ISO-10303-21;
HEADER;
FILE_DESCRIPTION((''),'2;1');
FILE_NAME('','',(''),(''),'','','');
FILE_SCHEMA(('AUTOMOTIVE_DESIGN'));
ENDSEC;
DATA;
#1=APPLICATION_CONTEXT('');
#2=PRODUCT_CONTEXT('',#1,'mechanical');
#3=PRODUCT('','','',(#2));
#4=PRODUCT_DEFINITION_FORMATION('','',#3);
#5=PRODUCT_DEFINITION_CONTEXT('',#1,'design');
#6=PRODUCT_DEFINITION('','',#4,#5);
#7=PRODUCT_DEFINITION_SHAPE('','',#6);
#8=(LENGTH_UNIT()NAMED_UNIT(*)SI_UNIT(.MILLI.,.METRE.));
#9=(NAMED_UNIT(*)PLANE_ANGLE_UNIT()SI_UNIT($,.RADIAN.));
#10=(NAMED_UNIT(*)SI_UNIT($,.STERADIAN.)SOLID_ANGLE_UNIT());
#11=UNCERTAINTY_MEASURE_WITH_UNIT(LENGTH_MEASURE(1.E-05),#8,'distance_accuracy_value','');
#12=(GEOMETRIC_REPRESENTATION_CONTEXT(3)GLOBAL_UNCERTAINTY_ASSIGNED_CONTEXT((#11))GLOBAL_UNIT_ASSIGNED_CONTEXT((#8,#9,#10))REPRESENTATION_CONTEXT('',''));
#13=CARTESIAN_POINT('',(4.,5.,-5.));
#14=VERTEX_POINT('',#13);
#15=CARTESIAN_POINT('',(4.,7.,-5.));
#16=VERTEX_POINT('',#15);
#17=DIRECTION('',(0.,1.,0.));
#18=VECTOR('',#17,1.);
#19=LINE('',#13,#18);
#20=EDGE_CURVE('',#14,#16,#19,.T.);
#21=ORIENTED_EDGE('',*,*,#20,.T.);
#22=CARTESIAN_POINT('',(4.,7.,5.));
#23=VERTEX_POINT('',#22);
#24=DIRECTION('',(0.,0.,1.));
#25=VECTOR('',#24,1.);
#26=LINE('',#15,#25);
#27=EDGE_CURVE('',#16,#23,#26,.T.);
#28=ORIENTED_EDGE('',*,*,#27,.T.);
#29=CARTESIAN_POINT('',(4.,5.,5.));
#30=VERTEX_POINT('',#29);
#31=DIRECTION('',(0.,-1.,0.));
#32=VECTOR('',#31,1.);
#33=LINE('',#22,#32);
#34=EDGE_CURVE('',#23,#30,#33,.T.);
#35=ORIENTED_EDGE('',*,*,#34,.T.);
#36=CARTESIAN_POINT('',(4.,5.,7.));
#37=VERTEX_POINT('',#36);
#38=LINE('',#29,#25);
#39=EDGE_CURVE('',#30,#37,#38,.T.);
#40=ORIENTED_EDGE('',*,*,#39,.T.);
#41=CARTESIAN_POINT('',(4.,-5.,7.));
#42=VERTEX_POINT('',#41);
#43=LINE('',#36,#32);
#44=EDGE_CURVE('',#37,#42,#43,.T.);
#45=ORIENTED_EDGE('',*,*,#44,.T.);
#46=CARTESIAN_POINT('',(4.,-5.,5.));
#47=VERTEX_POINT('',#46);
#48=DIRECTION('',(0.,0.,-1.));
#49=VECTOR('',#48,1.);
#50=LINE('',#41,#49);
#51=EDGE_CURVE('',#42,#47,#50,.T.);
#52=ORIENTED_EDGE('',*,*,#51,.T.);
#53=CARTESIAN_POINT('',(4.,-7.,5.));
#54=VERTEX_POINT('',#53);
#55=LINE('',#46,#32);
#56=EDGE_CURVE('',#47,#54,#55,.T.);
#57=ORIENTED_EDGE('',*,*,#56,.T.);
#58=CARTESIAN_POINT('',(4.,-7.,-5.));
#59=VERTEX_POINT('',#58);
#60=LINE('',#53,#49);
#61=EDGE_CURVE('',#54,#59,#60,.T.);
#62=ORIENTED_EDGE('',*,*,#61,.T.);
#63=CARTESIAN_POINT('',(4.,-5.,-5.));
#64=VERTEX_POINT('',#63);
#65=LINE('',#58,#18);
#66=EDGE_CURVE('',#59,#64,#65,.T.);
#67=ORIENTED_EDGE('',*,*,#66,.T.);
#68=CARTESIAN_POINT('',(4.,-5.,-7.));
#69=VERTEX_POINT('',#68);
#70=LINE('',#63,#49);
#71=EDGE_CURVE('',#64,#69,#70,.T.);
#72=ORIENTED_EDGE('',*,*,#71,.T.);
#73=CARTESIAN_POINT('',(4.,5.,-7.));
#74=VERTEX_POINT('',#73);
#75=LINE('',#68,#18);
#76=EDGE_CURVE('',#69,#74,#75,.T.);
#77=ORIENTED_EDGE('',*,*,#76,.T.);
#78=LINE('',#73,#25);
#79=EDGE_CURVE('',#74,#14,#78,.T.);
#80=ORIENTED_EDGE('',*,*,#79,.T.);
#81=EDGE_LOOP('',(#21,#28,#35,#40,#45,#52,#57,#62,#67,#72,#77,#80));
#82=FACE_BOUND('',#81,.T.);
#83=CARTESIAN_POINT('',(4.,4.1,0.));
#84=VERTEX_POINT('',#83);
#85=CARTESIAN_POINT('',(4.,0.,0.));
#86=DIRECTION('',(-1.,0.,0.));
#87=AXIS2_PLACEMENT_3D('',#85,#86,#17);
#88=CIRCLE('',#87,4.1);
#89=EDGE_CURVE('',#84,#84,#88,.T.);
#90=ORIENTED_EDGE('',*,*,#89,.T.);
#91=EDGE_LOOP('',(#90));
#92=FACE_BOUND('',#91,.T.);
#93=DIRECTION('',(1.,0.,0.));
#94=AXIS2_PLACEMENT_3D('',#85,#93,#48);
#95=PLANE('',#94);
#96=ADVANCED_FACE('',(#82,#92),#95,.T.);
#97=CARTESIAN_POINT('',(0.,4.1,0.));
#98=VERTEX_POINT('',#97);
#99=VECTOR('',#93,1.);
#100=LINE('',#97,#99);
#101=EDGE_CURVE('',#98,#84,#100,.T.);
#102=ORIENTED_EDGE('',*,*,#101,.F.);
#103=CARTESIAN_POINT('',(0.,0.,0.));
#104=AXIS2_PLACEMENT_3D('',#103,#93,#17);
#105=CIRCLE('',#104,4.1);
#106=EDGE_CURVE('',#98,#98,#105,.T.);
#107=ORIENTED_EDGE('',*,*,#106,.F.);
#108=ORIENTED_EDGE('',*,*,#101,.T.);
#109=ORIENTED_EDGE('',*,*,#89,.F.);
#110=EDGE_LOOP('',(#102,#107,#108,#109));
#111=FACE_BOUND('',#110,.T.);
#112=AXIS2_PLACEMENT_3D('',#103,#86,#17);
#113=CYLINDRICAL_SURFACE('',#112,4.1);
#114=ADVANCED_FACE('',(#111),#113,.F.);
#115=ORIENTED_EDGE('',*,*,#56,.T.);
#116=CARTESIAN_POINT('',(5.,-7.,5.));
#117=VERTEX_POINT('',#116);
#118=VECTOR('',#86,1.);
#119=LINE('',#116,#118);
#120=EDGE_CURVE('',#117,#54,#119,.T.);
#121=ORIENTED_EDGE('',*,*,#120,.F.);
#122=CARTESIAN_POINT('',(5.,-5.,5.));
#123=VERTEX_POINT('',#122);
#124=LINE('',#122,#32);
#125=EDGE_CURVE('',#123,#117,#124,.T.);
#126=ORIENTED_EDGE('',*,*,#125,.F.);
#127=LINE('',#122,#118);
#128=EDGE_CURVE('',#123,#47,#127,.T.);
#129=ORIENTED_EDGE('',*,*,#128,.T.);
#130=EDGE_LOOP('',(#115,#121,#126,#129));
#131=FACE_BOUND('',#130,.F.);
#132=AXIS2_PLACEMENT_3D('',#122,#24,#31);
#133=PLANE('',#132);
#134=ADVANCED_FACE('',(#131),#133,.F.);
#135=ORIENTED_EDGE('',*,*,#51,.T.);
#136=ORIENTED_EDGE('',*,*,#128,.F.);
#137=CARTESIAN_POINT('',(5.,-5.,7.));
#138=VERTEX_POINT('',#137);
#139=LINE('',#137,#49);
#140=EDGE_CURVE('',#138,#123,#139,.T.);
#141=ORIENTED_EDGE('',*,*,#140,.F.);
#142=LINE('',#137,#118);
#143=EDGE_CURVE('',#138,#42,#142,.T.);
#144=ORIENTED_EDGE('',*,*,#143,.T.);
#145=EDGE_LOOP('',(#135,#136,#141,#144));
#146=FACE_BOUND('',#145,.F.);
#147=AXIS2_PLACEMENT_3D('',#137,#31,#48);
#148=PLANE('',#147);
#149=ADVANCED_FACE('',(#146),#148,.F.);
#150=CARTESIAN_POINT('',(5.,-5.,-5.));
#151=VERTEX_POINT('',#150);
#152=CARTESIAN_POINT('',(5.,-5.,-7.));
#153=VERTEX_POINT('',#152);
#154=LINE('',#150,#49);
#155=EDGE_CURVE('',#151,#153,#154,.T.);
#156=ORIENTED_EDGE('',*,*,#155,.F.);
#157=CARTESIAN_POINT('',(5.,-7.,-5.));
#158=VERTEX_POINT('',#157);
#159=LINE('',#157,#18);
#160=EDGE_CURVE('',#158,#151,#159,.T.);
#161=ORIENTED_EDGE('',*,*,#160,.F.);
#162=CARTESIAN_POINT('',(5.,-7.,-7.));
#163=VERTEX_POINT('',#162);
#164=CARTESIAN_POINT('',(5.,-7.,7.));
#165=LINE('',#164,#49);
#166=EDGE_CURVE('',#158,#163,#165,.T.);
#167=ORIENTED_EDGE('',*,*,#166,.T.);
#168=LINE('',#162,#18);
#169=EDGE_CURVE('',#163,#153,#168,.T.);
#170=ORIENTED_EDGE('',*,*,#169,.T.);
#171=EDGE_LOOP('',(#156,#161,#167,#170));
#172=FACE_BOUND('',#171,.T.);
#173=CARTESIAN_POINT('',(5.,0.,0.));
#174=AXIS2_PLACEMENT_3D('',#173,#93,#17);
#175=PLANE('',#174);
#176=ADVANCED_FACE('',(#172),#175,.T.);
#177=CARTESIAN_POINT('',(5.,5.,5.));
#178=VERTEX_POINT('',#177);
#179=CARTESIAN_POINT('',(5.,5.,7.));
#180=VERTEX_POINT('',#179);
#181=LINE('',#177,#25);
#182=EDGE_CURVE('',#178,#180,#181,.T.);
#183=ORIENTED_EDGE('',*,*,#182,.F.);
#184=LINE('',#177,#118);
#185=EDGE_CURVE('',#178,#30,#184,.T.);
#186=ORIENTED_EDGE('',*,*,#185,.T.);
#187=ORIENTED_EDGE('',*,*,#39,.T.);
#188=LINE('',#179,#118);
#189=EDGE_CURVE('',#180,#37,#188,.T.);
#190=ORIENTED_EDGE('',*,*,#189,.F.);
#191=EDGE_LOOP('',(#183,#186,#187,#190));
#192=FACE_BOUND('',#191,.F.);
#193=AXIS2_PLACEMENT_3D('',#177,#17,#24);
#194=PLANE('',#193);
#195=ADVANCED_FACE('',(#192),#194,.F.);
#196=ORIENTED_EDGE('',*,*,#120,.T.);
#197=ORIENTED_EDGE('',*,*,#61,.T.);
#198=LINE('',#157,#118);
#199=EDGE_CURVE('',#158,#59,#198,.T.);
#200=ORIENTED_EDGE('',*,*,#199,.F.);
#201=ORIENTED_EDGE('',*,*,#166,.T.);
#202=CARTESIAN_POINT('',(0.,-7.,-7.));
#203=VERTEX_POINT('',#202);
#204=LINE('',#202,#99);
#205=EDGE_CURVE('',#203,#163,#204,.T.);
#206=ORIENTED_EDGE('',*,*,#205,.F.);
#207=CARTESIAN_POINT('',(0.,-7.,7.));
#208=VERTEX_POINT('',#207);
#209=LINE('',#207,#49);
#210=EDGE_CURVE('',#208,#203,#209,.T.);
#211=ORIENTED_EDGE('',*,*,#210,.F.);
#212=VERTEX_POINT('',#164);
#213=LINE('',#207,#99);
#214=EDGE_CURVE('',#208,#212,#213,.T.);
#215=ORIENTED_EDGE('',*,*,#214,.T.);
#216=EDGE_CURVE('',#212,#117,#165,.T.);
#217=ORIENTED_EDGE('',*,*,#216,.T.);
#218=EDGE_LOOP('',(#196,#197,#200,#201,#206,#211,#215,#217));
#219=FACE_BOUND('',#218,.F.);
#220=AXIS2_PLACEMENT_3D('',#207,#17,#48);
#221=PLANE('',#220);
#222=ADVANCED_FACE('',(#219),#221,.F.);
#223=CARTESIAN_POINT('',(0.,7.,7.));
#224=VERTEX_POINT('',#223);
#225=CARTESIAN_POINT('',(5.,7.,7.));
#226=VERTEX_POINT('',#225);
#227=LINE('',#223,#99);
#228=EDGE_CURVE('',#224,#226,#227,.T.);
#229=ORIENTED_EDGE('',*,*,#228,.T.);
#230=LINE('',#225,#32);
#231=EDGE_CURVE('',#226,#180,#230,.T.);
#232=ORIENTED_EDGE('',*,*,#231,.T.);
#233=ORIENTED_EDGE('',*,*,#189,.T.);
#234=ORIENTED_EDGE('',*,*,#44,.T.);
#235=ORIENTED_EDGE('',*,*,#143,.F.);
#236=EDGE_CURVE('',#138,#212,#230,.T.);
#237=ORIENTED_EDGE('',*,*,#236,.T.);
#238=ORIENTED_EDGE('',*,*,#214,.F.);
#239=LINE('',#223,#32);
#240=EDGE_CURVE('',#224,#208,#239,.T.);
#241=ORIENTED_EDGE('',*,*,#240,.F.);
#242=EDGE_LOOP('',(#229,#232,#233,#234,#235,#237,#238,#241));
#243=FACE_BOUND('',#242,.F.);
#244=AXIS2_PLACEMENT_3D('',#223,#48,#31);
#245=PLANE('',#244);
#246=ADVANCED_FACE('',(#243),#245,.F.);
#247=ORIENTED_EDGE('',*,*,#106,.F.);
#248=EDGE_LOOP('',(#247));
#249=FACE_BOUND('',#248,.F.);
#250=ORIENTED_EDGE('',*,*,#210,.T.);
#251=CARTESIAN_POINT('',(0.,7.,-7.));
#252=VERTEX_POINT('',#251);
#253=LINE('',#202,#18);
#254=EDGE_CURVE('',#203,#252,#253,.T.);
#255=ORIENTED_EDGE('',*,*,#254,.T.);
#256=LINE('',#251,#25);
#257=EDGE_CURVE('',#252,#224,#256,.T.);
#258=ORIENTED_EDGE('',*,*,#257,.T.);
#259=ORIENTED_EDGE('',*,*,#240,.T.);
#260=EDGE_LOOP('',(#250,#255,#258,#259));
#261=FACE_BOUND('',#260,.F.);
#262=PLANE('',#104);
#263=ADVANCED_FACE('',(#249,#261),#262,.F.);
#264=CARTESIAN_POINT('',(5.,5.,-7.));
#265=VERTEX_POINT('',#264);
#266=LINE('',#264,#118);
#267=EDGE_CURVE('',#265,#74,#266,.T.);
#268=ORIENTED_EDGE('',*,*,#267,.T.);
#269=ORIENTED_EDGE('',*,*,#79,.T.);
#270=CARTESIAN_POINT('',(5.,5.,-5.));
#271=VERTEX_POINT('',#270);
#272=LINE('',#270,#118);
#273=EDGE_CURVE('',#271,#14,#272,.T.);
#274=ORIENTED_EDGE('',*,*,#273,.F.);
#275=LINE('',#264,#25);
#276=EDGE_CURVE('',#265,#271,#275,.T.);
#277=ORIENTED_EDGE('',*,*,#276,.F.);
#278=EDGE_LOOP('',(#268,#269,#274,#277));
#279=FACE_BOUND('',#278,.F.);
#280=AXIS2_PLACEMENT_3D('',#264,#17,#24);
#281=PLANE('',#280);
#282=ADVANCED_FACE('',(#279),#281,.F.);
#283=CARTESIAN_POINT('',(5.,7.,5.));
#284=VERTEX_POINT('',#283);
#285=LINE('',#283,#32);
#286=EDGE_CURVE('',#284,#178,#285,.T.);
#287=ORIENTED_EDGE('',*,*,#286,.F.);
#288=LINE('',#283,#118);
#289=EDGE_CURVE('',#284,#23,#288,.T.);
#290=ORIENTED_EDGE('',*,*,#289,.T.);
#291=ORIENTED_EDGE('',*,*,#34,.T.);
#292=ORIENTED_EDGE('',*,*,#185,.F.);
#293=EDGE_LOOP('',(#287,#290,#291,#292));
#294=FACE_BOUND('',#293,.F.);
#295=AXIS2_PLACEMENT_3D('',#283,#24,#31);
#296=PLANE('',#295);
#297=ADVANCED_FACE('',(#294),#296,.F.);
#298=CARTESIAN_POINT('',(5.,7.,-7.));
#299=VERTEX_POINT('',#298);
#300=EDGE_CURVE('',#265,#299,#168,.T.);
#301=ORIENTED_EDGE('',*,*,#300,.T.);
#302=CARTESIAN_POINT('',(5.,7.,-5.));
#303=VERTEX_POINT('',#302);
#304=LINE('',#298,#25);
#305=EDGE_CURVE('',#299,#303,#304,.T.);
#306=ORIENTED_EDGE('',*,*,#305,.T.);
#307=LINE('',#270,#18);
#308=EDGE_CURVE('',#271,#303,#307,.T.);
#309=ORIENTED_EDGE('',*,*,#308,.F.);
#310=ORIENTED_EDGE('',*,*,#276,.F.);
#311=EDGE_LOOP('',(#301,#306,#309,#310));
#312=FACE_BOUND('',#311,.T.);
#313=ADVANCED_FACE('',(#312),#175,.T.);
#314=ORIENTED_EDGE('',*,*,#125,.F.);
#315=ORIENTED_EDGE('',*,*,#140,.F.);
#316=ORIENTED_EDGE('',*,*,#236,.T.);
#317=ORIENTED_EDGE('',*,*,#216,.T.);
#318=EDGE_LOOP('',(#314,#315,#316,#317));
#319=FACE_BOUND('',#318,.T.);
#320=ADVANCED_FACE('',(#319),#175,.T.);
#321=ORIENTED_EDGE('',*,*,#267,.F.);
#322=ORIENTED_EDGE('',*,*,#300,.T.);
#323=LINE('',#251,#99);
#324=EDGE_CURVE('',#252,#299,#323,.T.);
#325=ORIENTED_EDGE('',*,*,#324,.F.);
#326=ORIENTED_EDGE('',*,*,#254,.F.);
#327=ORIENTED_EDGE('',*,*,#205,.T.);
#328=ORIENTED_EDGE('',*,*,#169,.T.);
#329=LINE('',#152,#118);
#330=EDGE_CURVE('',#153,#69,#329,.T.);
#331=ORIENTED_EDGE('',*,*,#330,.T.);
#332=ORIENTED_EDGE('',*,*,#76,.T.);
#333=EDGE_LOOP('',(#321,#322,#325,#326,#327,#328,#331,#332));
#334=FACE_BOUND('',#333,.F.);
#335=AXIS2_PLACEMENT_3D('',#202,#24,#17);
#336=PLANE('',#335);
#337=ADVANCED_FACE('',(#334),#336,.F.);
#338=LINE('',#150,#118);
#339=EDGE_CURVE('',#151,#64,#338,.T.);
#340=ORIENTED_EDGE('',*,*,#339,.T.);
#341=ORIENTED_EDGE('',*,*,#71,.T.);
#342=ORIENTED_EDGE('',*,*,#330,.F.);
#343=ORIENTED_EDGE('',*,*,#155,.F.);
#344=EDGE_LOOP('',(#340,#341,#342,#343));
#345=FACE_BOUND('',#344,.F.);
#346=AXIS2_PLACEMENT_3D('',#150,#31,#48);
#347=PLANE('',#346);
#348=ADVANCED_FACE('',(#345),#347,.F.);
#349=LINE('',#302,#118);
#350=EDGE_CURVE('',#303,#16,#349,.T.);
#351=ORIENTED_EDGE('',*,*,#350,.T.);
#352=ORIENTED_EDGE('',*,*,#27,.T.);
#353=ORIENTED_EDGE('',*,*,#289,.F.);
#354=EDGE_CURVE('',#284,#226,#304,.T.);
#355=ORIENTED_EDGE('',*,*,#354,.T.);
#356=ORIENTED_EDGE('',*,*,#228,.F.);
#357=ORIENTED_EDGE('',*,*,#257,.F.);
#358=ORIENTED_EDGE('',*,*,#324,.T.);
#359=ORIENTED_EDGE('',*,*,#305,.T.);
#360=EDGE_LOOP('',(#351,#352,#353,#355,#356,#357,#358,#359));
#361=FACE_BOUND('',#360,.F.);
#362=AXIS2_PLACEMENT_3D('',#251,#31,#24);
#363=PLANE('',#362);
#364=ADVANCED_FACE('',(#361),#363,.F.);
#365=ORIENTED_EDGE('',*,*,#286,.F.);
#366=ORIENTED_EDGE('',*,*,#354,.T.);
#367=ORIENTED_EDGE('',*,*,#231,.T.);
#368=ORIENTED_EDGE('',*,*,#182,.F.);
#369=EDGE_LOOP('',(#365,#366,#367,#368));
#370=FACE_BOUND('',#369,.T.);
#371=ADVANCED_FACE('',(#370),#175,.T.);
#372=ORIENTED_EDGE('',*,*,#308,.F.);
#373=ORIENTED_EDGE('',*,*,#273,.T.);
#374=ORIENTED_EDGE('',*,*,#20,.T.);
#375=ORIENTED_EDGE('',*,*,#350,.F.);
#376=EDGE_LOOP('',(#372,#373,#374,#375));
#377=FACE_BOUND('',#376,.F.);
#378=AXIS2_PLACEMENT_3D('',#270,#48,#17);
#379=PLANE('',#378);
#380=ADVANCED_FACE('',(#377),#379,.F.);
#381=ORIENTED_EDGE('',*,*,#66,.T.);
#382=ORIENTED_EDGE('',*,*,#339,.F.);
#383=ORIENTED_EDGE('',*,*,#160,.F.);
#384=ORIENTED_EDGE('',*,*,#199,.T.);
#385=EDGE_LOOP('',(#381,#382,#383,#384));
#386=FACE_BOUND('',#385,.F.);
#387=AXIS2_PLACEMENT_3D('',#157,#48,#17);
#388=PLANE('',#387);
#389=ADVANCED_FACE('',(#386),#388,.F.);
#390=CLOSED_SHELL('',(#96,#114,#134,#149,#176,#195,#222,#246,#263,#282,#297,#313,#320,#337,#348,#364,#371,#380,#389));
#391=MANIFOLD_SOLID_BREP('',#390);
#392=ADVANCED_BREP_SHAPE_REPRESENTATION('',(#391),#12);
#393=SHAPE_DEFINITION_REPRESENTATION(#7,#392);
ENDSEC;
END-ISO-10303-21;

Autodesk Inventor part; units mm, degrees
sketch "Skizze_1" plane through (0, 0, 0) normal (1, 0, 0) x (0, 1, 0)
  line L0 (-7, 7) -> (-7, -7)
  line L1 (-7, -7) -> (7, -7)
  line L2 (7, -7) -> (7, 7)
  line L3 (7, 7) -> (-7, 7)
  circle A0 centre (0, 0) radius 4.1
extrude "Extrusion1" add sketch "Skizze_1" along normal blind 5
sketch "Skizze_2" plane through (5, 0, 0) normal (1, 0, 0) x (0, 0, -1)
  line L0 (-7, 5) -> (-7, -5)
  line L1 (-7, -5) -> (-5, -5)
  line L2 (-5, -5) -> (-5, -7)
  line L3 (-5, -7) -> (5, -7)
  line L4 (5, -7) -> (5, -5)
  line L5 (5, -5) -> (7, -5)
  line L6 (7, -5) -> (7, 5)
  line L7 (7, 5) -> (5, 5)
  line L8 (5, 5) -> (5, 7)
  line L9 (5, 7) -> (-5, 7)
  line L10 (-5, 7) -> (-5, 5)
  line L11 (-5, 5) -> (-7, 5)
extrude "Extrusion2" cut sketch "Skizze_2" against normal blind 1
ref_plane "GUS_4502_1_XY" through (0, 0, 0) normal (1, 0, 0) x (0, 0, -1)
ref_plane "GUS_4502_1_YZ" through (0, 0, 0) normal (0, 0, -1) x (0, 1, 0)
ref_plane "GUS_4502_1_ZX" through (0, 0, 0) normal (0, 1, 0) x (1, 0, 0)
properties part number "Robotunits GUS_4502"
